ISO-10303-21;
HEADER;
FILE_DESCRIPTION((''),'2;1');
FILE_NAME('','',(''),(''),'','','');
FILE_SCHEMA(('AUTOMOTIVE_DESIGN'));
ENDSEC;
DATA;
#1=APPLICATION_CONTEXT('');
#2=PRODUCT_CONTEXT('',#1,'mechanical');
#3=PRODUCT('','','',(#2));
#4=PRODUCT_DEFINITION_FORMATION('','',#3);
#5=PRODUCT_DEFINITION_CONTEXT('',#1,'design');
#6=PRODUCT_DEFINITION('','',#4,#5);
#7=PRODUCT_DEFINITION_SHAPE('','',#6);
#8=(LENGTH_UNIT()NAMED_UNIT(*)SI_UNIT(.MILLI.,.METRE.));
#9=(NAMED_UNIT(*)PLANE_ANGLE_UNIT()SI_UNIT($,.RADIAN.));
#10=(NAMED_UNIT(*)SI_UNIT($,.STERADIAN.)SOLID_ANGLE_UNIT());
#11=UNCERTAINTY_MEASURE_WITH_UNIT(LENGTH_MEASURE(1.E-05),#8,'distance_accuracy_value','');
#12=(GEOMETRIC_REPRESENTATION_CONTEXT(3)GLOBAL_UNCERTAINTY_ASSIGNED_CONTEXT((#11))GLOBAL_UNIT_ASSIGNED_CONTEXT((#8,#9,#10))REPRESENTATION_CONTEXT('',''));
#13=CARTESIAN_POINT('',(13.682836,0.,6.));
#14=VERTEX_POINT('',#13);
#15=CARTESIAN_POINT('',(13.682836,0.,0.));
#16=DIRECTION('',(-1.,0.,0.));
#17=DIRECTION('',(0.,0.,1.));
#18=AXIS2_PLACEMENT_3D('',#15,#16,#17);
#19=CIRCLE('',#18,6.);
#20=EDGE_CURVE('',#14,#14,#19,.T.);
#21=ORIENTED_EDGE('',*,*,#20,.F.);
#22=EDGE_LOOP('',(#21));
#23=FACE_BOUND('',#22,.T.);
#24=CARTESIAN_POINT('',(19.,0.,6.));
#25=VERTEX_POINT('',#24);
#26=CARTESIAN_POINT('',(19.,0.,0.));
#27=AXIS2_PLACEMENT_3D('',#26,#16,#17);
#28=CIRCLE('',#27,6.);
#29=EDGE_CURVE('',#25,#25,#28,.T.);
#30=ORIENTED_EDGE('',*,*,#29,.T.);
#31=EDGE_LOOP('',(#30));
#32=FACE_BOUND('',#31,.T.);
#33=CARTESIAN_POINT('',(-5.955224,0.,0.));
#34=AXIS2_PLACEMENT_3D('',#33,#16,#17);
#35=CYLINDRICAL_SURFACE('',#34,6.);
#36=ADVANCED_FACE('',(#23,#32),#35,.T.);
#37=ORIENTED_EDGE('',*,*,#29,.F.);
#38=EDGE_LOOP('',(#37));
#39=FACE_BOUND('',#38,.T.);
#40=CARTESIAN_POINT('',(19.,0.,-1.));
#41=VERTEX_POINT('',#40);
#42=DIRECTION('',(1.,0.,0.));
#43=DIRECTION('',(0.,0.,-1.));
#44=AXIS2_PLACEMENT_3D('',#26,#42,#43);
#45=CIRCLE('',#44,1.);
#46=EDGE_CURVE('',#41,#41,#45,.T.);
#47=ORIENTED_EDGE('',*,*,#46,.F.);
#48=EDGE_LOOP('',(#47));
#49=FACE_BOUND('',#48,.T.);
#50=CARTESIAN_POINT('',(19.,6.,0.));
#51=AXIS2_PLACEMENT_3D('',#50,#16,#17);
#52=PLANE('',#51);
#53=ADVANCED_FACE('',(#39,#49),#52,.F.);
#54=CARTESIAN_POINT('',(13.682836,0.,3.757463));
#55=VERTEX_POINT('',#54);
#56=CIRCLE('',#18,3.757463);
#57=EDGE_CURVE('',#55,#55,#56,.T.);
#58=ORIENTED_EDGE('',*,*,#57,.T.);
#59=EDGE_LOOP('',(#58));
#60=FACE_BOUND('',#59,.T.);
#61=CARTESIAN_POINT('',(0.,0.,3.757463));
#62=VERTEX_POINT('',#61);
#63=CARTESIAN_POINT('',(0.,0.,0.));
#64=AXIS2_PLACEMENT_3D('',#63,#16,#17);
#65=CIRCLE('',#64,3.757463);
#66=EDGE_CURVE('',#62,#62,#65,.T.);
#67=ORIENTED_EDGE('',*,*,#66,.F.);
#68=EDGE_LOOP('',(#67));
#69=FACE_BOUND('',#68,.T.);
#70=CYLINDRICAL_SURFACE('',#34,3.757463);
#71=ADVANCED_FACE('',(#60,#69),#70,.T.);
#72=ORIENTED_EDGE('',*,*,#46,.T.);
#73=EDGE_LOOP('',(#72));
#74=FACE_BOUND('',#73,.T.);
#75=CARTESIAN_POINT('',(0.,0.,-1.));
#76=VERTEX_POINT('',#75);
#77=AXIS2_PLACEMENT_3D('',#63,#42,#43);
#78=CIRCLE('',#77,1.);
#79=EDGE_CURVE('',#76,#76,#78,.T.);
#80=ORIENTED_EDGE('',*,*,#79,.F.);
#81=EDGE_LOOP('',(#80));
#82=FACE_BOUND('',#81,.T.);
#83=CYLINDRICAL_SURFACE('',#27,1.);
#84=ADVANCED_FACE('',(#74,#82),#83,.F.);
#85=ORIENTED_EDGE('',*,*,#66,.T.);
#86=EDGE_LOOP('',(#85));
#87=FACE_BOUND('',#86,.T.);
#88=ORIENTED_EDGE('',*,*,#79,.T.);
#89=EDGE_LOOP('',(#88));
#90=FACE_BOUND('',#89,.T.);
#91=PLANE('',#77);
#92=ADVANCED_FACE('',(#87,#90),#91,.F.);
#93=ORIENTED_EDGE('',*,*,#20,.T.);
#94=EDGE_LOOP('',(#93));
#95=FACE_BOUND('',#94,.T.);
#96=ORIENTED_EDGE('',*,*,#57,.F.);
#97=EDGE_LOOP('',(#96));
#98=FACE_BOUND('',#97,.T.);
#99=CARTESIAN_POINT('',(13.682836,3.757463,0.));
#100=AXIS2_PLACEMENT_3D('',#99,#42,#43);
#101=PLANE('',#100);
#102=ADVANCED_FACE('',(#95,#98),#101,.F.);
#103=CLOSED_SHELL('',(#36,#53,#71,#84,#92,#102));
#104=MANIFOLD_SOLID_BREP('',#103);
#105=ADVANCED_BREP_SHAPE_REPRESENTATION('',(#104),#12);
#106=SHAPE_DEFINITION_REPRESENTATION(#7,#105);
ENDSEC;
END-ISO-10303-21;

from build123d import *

# Parameters (mm, degrees)
SKETCH2_R          = 1
CUT_EXTRUDE2_DEPTH = 21.808652047


with BuildPart() as part:
    # Sketch1 → Revolve1 (revolve)
    with BuildSketch(Plane.XY, mode=Mode.PRIVATE) as revolve1_sk:
        Polygon((0, 0), (0, 3.757462687), (13.682835821, 3.757462687), (13.682835821, 6), (19, 6), (19, 0), align=None)
    revolve(revolve1_sk.sketch.rotate(Axis((-5.955223881, 0, 0), (1, 0, 0)), 90), axis=Axis((-5.955223881, 0, 0), (1, 0, 0)))

    # Sketch2 → Cut-Extrude2 (cut, through all)
    with BuildSketch(Plane(origin=(0, 0, 0), x_dir=(0, 0, -1), z_dir=(1, 0, 0))):
        Circle(SKETCH2_R)
    extrude(amount=CUT_EXTRUDE2_DEPTH, mode=Mode.SUBTRACT)


solid = part.part
